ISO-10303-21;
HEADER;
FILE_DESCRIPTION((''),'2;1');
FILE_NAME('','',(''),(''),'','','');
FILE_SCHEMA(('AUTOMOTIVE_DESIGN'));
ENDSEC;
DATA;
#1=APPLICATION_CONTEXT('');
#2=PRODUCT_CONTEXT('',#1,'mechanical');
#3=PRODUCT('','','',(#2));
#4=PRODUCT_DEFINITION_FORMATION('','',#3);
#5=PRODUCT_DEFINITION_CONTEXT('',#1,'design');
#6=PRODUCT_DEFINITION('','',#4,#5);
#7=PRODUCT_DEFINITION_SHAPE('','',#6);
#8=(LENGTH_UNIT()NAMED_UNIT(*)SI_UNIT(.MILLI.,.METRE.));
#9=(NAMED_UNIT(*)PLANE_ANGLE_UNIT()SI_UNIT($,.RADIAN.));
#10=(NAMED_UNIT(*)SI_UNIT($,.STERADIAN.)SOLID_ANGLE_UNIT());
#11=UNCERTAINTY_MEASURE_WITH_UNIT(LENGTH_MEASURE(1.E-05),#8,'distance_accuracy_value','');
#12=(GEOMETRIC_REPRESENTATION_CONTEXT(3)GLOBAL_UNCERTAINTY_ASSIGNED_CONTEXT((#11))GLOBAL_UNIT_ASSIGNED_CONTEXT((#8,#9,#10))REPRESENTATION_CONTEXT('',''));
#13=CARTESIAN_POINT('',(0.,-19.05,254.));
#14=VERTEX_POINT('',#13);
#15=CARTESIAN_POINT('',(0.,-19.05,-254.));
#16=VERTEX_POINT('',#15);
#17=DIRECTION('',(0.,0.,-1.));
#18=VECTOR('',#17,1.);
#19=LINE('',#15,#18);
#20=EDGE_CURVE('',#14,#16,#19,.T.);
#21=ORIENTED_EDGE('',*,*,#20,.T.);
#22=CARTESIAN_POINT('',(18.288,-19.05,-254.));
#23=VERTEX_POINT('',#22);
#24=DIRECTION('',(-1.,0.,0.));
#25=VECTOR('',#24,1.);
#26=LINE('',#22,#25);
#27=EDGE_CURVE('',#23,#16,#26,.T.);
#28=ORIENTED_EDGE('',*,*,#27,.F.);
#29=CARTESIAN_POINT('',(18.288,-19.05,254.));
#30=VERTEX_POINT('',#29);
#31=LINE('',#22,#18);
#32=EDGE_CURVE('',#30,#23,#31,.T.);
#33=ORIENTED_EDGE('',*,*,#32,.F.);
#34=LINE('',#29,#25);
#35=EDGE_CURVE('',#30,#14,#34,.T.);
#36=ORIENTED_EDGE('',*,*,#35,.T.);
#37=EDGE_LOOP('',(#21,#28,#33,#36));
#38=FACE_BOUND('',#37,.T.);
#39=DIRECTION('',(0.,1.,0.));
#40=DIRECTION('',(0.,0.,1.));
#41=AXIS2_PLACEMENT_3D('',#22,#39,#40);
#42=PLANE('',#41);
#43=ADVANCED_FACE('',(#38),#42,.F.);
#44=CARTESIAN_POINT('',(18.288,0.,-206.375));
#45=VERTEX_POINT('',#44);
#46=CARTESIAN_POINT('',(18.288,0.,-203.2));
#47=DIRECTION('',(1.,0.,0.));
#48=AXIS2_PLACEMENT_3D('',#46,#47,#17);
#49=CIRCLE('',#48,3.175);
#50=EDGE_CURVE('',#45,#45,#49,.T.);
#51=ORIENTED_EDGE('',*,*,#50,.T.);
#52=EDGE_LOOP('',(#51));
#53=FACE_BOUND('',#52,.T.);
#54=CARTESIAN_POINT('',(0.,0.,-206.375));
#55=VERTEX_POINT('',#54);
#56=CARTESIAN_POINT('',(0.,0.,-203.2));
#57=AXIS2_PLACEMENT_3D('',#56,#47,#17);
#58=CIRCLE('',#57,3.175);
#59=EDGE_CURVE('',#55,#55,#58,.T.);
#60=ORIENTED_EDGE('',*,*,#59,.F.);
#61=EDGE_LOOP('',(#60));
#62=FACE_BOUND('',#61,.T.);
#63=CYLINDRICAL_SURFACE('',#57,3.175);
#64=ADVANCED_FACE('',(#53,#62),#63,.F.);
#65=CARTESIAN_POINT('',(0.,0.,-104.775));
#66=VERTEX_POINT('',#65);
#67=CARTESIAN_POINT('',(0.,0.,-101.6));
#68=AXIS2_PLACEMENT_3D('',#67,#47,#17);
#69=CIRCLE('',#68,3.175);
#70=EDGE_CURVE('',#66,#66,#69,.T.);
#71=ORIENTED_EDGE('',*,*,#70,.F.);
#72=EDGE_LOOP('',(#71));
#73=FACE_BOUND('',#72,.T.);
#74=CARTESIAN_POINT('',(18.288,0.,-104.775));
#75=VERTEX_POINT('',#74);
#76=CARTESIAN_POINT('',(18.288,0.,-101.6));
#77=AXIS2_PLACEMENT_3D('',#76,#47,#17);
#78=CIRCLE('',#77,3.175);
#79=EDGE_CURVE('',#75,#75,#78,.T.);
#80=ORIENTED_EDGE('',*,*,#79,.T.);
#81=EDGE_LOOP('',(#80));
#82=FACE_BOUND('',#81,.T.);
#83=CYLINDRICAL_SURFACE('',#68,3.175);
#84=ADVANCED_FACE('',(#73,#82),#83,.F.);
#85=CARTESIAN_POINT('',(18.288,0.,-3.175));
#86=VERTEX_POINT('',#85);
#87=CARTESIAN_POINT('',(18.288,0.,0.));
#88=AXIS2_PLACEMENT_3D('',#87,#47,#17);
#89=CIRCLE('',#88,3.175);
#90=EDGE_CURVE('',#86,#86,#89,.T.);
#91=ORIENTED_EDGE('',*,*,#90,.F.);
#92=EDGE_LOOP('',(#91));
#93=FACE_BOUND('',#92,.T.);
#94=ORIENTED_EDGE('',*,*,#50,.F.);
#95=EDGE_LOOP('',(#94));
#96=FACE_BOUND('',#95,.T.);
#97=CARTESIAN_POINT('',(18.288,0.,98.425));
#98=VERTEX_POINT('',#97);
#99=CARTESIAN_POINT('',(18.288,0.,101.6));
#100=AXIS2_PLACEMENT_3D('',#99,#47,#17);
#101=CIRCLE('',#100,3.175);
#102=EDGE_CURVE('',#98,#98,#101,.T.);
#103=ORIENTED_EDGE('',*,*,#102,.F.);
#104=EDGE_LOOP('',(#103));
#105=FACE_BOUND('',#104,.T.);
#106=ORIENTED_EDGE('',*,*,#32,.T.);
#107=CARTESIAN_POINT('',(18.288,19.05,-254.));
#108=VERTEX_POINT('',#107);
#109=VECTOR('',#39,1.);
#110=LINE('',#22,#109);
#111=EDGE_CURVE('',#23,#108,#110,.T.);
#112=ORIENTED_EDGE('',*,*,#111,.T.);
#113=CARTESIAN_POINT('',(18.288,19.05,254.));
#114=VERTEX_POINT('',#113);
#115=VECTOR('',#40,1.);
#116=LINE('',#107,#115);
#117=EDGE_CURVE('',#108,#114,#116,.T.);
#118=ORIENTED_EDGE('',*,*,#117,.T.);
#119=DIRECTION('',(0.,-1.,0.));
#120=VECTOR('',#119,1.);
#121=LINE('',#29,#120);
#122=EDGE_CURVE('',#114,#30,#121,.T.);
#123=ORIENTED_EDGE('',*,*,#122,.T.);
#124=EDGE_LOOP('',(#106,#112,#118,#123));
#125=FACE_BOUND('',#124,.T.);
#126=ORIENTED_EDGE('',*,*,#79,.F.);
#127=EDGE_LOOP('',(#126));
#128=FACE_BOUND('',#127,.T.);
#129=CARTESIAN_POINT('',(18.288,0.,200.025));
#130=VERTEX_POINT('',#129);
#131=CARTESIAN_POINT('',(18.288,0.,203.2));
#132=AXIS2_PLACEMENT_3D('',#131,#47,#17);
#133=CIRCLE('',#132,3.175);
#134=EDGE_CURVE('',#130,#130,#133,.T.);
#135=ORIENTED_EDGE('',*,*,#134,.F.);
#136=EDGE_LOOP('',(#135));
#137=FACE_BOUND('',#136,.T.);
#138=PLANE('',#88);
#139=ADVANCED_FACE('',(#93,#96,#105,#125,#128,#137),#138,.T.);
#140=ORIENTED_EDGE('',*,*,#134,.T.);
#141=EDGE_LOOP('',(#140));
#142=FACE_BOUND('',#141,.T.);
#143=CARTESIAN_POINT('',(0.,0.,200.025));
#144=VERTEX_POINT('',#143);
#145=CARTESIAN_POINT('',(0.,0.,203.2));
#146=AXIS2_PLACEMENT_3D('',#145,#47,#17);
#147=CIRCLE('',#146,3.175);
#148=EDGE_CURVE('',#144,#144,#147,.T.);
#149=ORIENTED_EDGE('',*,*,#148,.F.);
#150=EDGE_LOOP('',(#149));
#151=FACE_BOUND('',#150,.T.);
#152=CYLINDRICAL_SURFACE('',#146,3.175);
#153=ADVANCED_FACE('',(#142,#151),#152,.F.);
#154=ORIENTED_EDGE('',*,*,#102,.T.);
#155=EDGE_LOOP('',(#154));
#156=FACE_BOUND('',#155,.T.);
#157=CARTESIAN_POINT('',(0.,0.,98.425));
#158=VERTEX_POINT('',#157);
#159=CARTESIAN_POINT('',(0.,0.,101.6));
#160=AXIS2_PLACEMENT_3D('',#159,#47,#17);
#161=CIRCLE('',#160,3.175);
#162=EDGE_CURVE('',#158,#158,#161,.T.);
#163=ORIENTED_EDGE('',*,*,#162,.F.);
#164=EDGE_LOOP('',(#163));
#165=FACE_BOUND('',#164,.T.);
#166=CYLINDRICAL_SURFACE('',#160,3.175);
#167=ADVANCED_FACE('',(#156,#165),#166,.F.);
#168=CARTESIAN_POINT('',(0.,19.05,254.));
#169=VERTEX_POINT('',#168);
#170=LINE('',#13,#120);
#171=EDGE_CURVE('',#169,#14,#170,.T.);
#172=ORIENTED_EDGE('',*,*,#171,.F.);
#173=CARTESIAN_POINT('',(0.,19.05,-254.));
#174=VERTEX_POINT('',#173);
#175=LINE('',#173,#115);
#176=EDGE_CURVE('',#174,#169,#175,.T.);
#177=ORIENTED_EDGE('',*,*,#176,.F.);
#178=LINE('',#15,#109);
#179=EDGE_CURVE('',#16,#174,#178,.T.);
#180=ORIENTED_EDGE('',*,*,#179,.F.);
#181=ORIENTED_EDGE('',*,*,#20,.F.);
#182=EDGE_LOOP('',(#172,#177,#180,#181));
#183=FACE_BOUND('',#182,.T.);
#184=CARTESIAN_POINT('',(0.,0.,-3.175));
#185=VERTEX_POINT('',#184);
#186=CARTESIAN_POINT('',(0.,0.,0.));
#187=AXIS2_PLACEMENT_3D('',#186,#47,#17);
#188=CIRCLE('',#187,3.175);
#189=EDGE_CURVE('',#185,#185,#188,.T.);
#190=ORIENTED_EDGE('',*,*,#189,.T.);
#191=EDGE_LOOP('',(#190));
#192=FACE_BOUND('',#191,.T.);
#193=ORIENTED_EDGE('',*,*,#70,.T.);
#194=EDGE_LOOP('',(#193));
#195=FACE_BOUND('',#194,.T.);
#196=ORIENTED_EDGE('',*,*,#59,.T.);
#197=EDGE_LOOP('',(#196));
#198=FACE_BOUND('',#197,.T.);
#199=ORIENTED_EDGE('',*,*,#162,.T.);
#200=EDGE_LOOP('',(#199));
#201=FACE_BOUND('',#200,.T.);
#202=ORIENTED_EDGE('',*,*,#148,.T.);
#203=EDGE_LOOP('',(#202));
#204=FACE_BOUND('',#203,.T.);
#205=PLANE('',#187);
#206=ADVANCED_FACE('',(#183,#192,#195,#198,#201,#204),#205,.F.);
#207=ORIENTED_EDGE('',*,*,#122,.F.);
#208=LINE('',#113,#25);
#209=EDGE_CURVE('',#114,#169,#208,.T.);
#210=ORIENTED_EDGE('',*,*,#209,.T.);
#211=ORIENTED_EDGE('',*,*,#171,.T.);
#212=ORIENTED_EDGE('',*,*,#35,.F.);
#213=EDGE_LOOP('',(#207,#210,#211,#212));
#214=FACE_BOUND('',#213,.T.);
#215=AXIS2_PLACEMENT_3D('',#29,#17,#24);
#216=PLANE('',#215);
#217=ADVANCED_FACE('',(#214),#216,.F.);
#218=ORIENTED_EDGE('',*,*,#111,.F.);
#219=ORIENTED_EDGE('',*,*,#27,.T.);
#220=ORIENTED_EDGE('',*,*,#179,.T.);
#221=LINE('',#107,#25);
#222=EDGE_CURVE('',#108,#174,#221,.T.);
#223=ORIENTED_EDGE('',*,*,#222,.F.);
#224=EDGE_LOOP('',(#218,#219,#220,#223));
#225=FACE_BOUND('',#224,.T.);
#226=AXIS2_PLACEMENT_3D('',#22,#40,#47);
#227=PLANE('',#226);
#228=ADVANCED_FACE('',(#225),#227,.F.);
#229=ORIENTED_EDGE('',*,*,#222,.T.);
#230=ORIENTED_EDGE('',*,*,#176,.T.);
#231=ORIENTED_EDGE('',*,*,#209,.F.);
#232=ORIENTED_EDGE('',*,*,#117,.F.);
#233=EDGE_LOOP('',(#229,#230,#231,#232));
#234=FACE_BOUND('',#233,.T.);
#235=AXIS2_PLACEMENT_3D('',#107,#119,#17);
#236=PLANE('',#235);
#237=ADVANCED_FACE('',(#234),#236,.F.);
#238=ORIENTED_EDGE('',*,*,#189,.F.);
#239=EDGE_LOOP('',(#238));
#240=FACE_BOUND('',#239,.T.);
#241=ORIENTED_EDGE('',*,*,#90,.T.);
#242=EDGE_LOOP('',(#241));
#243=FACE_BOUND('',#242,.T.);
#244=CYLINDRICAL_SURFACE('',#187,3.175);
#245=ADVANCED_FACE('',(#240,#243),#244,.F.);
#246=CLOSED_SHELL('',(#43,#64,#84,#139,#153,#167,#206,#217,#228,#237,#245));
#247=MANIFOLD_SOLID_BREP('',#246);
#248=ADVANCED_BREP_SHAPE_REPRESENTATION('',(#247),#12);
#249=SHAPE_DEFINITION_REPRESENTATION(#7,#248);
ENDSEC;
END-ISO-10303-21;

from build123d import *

# Parameters (mm, degrees)
SKETCH1_W           = 508
SKETCH1_H           = 38.1
BOSS_EXTRUDE1_DEPTH = 18.288
SKETCH2_R           = 3.175
CUT_EXTRUDE1_DEPTH  = 256.369053419


with BuildPart() as part:
    # Sketch1 → Boss-Extrude1 (new body)
    with BuildSketch(Plane(origin=(0, 0, 0), x_dir=(0, 0, -1), z_dir=(1, 0, 0))):
        Rectangle(SKETCH1_W, SKETCH1_H)
    extrude(amount=BOSS_EXTRUDE1_DEPTH)

    # Sketch2 → Cut-Extrude1 (cut, through all)
    with BuildSketch(Plane(origin=(18.288, 0, 0), x_dir=(0, 0, -1), z_dir=(1, 0, 0))):
        with Locations((203.2, 0)):
            Circle(SKETCH2_R)
        with Locations((101.6, 0)):
            Circle(SKETCH2_R)
        Circle(SKETCH2_R)
        with Locations((-101.6, 0)):
            Circle(SKETCH2_R)
        with Locations((-203.2, 0)):
            Circle(SKETCH2_R)
    extrude(amount=-CUT_EXTRUDE1_DEPTH, mode=Mode.SUBTRACT)


solid = part.part
